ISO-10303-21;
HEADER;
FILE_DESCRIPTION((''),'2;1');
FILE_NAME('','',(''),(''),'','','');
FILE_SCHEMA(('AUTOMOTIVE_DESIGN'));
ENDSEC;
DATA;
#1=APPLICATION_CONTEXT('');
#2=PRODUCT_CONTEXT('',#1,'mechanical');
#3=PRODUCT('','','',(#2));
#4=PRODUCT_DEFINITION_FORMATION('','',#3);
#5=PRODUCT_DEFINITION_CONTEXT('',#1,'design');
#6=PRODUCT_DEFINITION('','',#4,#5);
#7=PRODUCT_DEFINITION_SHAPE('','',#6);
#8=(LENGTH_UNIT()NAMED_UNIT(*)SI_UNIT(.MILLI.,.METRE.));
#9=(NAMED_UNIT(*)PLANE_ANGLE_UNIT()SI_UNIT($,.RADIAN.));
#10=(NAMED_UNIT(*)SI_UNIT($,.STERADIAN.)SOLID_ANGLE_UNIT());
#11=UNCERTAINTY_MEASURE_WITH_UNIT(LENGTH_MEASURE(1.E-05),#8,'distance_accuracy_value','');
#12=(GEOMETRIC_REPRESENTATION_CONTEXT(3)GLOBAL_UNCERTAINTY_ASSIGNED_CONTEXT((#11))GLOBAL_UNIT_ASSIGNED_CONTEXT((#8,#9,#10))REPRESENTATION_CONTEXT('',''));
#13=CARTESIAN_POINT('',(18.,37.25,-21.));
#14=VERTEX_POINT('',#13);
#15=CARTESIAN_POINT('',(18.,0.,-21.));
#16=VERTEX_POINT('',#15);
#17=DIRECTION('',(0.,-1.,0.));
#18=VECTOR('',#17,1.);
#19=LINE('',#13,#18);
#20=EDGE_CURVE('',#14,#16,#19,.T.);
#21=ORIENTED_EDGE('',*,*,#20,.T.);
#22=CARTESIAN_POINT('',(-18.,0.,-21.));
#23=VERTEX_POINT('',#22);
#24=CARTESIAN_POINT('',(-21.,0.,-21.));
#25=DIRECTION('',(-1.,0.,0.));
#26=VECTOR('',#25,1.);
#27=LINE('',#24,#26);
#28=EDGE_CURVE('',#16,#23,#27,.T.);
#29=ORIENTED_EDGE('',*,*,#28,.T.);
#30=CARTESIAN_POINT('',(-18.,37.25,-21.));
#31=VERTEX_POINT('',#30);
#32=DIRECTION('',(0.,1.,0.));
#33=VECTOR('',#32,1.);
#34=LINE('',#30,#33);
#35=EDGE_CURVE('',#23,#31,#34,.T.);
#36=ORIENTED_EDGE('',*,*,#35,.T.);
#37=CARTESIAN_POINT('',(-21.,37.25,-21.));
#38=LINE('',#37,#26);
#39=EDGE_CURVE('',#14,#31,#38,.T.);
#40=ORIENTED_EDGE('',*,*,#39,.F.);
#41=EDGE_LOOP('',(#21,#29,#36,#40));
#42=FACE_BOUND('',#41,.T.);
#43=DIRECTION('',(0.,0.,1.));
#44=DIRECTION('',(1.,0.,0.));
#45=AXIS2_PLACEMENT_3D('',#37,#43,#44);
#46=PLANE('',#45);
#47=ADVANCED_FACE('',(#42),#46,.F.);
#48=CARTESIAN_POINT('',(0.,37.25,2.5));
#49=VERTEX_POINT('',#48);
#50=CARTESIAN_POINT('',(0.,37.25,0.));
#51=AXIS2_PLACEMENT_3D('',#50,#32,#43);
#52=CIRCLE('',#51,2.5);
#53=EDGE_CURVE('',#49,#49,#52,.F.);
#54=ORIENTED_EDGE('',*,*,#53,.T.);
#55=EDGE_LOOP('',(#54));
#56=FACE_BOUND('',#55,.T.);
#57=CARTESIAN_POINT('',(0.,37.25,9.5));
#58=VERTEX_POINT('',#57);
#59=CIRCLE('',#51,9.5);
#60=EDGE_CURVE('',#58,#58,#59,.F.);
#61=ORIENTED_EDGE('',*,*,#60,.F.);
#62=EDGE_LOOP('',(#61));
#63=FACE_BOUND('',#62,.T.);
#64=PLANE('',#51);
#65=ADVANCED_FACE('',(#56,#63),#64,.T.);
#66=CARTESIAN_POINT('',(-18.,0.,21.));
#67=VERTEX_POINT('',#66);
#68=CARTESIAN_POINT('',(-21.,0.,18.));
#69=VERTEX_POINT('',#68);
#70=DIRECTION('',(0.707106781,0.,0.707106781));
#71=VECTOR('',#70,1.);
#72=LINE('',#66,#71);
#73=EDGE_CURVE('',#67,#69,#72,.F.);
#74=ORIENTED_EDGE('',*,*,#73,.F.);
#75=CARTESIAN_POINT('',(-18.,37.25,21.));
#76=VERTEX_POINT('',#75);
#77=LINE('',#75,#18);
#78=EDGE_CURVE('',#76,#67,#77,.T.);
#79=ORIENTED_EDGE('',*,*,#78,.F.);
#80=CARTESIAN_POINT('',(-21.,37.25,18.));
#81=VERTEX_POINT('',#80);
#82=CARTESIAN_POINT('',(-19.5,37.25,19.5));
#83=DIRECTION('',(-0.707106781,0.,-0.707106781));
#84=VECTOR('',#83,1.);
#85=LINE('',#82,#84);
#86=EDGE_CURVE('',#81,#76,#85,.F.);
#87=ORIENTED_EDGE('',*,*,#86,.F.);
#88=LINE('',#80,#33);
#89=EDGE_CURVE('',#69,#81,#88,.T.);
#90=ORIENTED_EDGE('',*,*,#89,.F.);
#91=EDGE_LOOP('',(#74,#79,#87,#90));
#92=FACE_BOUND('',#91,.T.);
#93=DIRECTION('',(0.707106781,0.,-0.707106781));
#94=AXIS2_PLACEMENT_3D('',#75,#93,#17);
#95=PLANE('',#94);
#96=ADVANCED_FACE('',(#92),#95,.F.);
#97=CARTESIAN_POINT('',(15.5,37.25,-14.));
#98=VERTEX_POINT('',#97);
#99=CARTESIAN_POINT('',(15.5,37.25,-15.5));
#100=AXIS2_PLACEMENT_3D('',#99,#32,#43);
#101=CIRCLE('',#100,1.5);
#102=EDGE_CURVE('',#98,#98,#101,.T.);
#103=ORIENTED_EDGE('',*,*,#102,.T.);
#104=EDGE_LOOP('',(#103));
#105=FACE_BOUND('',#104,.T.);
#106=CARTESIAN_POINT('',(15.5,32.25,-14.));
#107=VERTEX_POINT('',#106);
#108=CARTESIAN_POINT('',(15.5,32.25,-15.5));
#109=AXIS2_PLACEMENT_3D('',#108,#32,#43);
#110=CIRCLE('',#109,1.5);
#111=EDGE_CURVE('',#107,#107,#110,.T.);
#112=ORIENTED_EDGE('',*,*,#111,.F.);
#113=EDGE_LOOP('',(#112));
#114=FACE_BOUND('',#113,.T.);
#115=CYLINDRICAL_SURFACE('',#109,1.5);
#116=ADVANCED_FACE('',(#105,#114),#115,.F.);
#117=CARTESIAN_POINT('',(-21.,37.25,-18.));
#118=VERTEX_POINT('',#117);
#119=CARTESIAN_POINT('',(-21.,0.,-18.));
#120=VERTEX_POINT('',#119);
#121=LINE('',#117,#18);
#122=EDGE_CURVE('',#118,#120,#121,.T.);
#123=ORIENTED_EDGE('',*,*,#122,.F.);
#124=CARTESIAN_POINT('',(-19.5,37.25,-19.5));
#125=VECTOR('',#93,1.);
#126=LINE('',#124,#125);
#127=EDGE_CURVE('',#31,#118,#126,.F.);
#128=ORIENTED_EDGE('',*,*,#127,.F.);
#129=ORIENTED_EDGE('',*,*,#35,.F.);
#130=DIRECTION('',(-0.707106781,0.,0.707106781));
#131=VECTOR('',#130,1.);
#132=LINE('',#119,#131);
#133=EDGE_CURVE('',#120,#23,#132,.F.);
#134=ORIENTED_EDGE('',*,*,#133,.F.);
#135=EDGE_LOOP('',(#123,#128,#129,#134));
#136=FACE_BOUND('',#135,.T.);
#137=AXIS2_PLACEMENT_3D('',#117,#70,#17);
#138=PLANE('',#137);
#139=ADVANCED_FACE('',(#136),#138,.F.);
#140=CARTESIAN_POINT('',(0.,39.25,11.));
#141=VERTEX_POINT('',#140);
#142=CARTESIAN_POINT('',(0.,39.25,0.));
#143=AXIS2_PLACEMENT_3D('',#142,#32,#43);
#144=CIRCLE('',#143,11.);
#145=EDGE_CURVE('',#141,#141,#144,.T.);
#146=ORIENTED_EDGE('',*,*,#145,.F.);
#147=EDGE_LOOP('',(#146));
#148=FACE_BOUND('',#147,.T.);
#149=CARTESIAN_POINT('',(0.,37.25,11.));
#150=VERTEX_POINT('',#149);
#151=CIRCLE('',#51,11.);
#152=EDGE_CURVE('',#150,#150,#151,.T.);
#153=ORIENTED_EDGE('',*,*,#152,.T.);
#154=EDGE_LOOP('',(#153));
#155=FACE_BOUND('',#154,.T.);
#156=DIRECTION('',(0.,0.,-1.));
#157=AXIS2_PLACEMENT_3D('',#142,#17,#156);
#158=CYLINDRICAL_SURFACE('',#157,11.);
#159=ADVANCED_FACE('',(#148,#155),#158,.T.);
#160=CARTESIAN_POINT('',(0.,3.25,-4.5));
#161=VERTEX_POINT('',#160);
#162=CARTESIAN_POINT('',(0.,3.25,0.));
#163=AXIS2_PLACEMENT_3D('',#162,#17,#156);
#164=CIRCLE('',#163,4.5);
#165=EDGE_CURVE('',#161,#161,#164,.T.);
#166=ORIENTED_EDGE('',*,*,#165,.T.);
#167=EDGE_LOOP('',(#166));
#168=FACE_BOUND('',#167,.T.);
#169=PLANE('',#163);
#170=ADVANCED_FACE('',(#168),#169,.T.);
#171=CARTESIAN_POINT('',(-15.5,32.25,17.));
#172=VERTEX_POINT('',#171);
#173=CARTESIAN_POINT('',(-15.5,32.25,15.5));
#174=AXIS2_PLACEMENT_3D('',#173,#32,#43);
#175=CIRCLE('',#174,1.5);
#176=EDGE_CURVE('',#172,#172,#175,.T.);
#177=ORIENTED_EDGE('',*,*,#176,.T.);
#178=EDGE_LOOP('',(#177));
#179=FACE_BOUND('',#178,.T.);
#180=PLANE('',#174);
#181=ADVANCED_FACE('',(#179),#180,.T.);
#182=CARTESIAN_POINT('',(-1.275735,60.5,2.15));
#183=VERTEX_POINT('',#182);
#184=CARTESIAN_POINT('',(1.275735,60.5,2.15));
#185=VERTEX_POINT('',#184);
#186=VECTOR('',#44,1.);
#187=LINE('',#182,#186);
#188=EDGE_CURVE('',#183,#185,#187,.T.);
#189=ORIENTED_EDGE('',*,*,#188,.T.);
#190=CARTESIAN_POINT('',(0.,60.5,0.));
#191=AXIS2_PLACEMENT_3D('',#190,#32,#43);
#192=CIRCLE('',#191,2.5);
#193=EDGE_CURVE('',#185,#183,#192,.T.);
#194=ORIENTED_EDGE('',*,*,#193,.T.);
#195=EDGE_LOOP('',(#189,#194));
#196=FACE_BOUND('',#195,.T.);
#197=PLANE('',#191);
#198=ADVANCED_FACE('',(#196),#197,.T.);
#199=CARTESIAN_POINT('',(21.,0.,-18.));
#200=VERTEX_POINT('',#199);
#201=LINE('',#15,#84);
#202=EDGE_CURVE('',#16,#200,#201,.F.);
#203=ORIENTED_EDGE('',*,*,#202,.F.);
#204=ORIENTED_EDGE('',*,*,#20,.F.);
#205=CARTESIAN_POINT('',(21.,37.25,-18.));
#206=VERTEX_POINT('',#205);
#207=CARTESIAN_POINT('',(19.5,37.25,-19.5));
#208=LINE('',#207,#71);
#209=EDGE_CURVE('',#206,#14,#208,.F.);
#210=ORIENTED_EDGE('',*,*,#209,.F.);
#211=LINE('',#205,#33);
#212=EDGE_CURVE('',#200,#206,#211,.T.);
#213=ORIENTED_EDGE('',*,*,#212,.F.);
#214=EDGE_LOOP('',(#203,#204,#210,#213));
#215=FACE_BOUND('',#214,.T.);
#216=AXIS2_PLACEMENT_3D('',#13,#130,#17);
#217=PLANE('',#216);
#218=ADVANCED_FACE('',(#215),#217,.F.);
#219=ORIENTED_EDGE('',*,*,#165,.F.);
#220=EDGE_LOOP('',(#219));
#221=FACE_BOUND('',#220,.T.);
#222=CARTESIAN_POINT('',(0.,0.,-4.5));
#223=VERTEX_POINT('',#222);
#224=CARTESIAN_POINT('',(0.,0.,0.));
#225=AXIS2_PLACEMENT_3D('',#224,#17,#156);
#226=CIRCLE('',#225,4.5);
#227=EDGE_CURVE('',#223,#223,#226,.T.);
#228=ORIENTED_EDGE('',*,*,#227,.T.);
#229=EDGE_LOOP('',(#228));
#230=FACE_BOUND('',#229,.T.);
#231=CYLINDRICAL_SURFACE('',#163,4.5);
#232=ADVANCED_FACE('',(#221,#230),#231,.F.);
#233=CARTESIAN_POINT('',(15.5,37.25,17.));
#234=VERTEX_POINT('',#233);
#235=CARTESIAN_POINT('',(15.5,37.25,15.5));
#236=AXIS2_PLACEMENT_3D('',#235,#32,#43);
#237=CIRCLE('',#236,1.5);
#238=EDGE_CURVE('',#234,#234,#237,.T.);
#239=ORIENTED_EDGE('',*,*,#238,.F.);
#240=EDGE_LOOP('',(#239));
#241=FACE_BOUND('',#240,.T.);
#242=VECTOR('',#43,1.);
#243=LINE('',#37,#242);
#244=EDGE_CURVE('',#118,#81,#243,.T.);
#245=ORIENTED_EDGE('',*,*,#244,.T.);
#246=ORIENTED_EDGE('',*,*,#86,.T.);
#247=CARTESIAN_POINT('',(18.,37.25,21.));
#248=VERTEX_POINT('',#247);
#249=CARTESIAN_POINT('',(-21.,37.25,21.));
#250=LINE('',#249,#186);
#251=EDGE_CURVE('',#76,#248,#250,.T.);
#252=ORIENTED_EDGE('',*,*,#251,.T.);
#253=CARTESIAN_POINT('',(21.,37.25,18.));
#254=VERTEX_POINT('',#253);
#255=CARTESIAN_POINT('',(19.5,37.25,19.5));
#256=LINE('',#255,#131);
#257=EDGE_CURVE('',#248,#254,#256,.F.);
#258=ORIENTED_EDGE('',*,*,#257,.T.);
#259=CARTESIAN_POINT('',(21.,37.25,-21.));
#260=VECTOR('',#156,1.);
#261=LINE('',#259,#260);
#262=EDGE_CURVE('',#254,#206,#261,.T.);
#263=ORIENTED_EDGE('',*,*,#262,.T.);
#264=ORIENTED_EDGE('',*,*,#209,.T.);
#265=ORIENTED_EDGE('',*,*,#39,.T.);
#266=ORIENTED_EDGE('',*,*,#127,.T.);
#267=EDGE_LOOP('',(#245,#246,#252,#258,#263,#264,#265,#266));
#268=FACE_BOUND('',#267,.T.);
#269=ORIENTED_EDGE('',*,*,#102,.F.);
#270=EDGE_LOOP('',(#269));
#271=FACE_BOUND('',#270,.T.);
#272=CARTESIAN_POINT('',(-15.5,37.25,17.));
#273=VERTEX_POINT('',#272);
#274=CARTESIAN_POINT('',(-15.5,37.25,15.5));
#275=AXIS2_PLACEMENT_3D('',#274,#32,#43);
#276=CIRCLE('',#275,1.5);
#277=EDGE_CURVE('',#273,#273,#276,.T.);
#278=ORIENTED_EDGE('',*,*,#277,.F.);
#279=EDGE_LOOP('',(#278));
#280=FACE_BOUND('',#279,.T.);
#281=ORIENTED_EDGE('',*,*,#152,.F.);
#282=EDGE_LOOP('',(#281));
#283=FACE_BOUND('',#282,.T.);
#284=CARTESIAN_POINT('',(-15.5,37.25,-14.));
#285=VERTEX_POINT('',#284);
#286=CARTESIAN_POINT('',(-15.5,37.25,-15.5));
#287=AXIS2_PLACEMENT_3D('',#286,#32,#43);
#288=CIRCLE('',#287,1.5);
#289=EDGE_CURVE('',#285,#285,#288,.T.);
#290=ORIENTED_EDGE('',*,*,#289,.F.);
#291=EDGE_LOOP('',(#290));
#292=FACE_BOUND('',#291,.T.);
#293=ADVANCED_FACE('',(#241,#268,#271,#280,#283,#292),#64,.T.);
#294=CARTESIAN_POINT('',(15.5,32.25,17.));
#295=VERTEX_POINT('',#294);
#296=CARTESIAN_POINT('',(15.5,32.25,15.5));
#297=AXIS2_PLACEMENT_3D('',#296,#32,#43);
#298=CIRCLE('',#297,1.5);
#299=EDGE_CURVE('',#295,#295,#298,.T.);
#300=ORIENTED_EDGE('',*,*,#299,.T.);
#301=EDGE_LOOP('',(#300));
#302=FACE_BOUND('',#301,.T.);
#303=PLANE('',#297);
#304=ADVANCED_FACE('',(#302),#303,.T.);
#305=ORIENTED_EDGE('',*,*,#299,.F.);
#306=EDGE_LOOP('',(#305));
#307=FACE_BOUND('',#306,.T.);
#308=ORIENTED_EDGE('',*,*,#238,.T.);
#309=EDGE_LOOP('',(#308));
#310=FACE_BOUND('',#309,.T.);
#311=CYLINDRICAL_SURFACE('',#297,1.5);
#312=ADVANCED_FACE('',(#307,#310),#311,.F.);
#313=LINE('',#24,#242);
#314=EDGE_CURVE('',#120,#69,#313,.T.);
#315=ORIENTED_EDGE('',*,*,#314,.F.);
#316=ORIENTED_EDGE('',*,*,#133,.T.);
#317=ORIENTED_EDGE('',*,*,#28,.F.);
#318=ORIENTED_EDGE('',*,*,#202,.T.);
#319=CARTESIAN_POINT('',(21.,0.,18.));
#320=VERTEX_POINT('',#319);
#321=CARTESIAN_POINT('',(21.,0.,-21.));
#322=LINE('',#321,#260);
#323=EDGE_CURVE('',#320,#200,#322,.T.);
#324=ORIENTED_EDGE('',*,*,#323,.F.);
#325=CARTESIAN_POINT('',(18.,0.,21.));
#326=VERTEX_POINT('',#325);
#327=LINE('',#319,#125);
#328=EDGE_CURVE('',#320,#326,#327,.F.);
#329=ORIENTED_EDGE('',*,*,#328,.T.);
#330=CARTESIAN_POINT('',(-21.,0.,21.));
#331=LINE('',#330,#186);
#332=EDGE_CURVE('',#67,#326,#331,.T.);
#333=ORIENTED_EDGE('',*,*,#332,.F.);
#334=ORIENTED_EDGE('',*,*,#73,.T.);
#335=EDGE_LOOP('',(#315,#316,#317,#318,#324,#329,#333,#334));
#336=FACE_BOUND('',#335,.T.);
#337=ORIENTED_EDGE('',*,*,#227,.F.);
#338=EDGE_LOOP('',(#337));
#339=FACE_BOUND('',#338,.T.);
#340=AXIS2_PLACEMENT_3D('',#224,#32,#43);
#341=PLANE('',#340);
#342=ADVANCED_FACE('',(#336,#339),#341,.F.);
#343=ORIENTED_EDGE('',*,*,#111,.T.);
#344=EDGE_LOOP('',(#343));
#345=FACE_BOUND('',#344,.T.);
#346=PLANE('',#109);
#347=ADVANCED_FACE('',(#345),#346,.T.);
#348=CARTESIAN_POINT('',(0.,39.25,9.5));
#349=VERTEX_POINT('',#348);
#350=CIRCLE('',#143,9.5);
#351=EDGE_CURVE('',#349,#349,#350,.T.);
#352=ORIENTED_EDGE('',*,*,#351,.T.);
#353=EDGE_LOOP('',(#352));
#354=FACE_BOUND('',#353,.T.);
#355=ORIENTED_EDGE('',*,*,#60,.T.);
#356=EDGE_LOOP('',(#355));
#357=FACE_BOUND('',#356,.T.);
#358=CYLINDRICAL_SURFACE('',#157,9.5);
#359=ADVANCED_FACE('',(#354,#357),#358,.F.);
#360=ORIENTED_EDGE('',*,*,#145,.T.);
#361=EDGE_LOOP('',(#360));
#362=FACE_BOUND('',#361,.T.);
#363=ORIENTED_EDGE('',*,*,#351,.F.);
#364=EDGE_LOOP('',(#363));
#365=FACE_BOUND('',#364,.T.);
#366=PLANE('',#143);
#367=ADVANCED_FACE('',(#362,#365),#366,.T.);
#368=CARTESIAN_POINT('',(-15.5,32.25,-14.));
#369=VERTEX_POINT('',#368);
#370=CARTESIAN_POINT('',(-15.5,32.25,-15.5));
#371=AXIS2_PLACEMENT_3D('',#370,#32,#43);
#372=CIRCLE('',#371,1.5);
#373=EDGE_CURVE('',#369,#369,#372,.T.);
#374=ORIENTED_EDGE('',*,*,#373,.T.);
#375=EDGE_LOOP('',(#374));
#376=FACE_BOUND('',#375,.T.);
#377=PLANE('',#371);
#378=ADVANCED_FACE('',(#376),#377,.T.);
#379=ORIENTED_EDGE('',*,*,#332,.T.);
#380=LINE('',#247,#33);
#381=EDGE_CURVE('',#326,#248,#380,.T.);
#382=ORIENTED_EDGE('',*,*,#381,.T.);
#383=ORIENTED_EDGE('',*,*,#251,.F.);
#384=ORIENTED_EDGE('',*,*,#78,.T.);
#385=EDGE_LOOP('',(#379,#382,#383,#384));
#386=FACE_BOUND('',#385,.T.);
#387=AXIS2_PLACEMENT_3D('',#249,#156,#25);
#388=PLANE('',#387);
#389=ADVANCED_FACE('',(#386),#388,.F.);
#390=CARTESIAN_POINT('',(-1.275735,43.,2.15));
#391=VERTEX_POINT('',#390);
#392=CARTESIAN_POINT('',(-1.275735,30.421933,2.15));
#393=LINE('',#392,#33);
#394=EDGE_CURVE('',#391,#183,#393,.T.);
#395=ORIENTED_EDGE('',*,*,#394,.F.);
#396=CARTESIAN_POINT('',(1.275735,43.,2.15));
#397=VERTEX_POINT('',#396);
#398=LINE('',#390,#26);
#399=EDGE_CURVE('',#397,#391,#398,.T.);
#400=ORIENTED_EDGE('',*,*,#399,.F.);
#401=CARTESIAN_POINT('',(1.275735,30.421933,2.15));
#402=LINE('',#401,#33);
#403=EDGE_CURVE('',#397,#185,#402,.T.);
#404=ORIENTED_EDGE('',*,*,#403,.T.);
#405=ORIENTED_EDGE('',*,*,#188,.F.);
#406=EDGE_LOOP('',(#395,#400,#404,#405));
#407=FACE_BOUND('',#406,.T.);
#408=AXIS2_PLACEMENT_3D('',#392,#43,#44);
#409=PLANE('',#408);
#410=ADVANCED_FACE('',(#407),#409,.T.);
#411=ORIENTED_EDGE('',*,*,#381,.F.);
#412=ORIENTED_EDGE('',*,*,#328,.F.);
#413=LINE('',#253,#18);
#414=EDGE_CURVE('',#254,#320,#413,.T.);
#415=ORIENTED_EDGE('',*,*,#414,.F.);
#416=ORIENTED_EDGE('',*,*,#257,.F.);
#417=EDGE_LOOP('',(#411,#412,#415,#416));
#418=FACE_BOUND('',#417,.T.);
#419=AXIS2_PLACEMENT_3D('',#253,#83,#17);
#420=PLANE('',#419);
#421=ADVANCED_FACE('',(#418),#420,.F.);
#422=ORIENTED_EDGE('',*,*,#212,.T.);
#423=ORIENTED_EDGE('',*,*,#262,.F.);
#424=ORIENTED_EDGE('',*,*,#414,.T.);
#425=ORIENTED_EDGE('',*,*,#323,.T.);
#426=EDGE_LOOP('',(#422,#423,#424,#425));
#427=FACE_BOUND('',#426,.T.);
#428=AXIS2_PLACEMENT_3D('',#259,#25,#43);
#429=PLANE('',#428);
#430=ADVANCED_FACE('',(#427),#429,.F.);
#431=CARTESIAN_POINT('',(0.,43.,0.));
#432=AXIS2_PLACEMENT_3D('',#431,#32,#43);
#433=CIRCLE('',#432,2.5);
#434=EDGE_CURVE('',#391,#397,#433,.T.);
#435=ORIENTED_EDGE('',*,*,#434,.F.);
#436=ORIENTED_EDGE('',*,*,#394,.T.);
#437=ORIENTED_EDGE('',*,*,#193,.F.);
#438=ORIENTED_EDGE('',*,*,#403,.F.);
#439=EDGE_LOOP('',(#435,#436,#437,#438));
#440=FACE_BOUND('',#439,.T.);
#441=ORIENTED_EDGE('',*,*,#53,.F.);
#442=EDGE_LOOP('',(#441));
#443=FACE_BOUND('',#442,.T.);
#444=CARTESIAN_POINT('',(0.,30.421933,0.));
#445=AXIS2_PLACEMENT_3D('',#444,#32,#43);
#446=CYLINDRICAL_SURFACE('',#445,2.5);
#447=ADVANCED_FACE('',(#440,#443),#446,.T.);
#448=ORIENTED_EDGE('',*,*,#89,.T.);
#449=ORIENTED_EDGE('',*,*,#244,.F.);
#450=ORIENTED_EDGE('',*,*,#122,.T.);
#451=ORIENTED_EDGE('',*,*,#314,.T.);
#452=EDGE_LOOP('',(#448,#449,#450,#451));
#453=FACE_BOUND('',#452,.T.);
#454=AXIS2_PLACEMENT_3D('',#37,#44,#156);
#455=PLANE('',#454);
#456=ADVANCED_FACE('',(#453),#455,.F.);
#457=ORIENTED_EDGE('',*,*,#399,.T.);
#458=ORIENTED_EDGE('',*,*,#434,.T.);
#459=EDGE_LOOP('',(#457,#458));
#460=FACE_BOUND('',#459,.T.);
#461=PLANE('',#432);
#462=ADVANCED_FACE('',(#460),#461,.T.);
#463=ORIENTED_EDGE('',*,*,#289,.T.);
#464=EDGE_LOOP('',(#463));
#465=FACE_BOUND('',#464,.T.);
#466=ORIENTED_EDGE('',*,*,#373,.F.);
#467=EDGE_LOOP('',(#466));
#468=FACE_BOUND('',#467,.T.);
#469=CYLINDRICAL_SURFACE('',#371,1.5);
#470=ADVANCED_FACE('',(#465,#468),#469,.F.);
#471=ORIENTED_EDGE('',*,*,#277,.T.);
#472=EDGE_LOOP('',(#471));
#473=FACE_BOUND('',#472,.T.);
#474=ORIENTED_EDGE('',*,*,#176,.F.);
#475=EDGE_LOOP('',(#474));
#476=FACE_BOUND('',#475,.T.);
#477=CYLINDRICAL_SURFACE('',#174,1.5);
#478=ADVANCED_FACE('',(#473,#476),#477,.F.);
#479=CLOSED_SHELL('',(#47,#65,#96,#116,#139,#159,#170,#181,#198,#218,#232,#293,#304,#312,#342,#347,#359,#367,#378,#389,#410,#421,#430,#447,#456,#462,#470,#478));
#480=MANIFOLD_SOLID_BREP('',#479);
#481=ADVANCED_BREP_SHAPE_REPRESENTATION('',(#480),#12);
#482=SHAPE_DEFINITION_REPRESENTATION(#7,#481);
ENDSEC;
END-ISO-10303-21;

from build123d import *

# Parameters (mm, degrees)
SKETCH1_W           = 42
SKETCH1_H           = 42
BOSS_EXTRUDE1_DEPTH = 37.25
SKETCH2_R           = 1.5
CUT_EXTRUDE1_DEPTH  = 5
SKETCH3_R           = 11
SKETCH3_R_2         = 9.5
BOSS_EXTRUDE2_DEPTH = 2
BOSS_EXTRUDE3_DEPTH = 23.25
CHAMFER1_SIZE       = 3
SKETCH6_R           = 4.5
CUT_EXTRUDE2_DEPTH  = 3.25
SKETCH7_R           = 2.5
BOSS_EXTRUDE4_DEPTH = 5.75


with BuildPart() as part:
    # Sketch1 → Boss-Extrude1 (new body)
    with BuildSketch(Plane(origin=(0, 0, 0), x_dir=(1, 0, 0), z_dir=(0, 1, 0))):
        Rectangle(SKETCH1_W, SKETCH1_H)
    extrude(amount=BOSS_EXTRUDE1_DEPTH)

    # Sketch2 → Cut-Extrude1 (cut)
    with BuildSketch(Plane(origin=(0, 37.25, 0), x_dir=(1, 0, 0), z_dir=(0, 1, 0))):
        with Locations((15.5, 15.5)):
            Circle(SKETCH2_R)
        with Locations((15.5, -15.5)):
            Circle(SKETCH2_R)
        with Locations((-15.5, -15.5)):
            Circle(SKETCH2_R)
        with Locations((-15.5, 15.5)):
            Circle(SKETCH2_R)
    extrude(amount=-CUT_EXTRUDE1_DEPTH, mode=Mode.SUBTRACT)

    # Sketch3 → Boss-Extrude2 (add)
    with BuildSketch(Plane(origin=(0, 37.25, 0), x_dir=(1, 0, 0), z_dir=(0, 1, 0))):
        Circle(SKETCH3_R)
        Circle(SKETCH3_R_2, mode=Mode.SUBTRACT)
    extrude(amount=BOSS_EXTRUDE2_DEPTH)

    # Chamfer1
    chamfer1_edges = [part.edges().sort_by_distance(p)[0] for p in [
        (21, 18.625, 21),
        (-21, 18.625, 21),
        (-21, 18.625, -21),
        (21, 18.625, -21),
    ]]
    chamfer(chamfer1_edges, length=CHAMFER1_SIZE)

    # Sketch6 → Cut-Extrude2 (cut)
    with BuildSketch(Plane.XZ):
        Circle(SKETCH6_R)
    extrude(amount=-CUT_EXTRUDE2_DEPTH, mode=Mode.SUBTRACT)



with BuildPart() as body_2:
    # Sketch4 → Boss-Extrude3 (new body)
    with BuildSketch(Plane(origin=(0, 60.5, 0), x_dir=(1, 0, 0), z_dir=(0, 1, 0))):
        with BuildLine():
            Line((-1.275735082, -2.15), (1.275735082, -2.15))
            ThreePointArc((1.275735082, -2.15), (0, 2.5), (-1.275735082, -2.15))
        make_face()
    extrude(amount=-BOSS_EXTRUDE3_DEPTH)


with BuildPart() as part_1:
    add(part.part)

    add(body_2.part)  # Boss-Extrude4 merges body 2
    # Sketch7 → Boss-Extrude4 (add)
    with BuildSketch(Plane(origin=(0, 37.25, 0), x_dir=(1, 0, 0), z_dir=(0, 1, 0))):
        Circle(SKETCH7_R)
    extrude(amount=BOSS_EXTRUDE4_DEPTH)


solid = part_1.part
